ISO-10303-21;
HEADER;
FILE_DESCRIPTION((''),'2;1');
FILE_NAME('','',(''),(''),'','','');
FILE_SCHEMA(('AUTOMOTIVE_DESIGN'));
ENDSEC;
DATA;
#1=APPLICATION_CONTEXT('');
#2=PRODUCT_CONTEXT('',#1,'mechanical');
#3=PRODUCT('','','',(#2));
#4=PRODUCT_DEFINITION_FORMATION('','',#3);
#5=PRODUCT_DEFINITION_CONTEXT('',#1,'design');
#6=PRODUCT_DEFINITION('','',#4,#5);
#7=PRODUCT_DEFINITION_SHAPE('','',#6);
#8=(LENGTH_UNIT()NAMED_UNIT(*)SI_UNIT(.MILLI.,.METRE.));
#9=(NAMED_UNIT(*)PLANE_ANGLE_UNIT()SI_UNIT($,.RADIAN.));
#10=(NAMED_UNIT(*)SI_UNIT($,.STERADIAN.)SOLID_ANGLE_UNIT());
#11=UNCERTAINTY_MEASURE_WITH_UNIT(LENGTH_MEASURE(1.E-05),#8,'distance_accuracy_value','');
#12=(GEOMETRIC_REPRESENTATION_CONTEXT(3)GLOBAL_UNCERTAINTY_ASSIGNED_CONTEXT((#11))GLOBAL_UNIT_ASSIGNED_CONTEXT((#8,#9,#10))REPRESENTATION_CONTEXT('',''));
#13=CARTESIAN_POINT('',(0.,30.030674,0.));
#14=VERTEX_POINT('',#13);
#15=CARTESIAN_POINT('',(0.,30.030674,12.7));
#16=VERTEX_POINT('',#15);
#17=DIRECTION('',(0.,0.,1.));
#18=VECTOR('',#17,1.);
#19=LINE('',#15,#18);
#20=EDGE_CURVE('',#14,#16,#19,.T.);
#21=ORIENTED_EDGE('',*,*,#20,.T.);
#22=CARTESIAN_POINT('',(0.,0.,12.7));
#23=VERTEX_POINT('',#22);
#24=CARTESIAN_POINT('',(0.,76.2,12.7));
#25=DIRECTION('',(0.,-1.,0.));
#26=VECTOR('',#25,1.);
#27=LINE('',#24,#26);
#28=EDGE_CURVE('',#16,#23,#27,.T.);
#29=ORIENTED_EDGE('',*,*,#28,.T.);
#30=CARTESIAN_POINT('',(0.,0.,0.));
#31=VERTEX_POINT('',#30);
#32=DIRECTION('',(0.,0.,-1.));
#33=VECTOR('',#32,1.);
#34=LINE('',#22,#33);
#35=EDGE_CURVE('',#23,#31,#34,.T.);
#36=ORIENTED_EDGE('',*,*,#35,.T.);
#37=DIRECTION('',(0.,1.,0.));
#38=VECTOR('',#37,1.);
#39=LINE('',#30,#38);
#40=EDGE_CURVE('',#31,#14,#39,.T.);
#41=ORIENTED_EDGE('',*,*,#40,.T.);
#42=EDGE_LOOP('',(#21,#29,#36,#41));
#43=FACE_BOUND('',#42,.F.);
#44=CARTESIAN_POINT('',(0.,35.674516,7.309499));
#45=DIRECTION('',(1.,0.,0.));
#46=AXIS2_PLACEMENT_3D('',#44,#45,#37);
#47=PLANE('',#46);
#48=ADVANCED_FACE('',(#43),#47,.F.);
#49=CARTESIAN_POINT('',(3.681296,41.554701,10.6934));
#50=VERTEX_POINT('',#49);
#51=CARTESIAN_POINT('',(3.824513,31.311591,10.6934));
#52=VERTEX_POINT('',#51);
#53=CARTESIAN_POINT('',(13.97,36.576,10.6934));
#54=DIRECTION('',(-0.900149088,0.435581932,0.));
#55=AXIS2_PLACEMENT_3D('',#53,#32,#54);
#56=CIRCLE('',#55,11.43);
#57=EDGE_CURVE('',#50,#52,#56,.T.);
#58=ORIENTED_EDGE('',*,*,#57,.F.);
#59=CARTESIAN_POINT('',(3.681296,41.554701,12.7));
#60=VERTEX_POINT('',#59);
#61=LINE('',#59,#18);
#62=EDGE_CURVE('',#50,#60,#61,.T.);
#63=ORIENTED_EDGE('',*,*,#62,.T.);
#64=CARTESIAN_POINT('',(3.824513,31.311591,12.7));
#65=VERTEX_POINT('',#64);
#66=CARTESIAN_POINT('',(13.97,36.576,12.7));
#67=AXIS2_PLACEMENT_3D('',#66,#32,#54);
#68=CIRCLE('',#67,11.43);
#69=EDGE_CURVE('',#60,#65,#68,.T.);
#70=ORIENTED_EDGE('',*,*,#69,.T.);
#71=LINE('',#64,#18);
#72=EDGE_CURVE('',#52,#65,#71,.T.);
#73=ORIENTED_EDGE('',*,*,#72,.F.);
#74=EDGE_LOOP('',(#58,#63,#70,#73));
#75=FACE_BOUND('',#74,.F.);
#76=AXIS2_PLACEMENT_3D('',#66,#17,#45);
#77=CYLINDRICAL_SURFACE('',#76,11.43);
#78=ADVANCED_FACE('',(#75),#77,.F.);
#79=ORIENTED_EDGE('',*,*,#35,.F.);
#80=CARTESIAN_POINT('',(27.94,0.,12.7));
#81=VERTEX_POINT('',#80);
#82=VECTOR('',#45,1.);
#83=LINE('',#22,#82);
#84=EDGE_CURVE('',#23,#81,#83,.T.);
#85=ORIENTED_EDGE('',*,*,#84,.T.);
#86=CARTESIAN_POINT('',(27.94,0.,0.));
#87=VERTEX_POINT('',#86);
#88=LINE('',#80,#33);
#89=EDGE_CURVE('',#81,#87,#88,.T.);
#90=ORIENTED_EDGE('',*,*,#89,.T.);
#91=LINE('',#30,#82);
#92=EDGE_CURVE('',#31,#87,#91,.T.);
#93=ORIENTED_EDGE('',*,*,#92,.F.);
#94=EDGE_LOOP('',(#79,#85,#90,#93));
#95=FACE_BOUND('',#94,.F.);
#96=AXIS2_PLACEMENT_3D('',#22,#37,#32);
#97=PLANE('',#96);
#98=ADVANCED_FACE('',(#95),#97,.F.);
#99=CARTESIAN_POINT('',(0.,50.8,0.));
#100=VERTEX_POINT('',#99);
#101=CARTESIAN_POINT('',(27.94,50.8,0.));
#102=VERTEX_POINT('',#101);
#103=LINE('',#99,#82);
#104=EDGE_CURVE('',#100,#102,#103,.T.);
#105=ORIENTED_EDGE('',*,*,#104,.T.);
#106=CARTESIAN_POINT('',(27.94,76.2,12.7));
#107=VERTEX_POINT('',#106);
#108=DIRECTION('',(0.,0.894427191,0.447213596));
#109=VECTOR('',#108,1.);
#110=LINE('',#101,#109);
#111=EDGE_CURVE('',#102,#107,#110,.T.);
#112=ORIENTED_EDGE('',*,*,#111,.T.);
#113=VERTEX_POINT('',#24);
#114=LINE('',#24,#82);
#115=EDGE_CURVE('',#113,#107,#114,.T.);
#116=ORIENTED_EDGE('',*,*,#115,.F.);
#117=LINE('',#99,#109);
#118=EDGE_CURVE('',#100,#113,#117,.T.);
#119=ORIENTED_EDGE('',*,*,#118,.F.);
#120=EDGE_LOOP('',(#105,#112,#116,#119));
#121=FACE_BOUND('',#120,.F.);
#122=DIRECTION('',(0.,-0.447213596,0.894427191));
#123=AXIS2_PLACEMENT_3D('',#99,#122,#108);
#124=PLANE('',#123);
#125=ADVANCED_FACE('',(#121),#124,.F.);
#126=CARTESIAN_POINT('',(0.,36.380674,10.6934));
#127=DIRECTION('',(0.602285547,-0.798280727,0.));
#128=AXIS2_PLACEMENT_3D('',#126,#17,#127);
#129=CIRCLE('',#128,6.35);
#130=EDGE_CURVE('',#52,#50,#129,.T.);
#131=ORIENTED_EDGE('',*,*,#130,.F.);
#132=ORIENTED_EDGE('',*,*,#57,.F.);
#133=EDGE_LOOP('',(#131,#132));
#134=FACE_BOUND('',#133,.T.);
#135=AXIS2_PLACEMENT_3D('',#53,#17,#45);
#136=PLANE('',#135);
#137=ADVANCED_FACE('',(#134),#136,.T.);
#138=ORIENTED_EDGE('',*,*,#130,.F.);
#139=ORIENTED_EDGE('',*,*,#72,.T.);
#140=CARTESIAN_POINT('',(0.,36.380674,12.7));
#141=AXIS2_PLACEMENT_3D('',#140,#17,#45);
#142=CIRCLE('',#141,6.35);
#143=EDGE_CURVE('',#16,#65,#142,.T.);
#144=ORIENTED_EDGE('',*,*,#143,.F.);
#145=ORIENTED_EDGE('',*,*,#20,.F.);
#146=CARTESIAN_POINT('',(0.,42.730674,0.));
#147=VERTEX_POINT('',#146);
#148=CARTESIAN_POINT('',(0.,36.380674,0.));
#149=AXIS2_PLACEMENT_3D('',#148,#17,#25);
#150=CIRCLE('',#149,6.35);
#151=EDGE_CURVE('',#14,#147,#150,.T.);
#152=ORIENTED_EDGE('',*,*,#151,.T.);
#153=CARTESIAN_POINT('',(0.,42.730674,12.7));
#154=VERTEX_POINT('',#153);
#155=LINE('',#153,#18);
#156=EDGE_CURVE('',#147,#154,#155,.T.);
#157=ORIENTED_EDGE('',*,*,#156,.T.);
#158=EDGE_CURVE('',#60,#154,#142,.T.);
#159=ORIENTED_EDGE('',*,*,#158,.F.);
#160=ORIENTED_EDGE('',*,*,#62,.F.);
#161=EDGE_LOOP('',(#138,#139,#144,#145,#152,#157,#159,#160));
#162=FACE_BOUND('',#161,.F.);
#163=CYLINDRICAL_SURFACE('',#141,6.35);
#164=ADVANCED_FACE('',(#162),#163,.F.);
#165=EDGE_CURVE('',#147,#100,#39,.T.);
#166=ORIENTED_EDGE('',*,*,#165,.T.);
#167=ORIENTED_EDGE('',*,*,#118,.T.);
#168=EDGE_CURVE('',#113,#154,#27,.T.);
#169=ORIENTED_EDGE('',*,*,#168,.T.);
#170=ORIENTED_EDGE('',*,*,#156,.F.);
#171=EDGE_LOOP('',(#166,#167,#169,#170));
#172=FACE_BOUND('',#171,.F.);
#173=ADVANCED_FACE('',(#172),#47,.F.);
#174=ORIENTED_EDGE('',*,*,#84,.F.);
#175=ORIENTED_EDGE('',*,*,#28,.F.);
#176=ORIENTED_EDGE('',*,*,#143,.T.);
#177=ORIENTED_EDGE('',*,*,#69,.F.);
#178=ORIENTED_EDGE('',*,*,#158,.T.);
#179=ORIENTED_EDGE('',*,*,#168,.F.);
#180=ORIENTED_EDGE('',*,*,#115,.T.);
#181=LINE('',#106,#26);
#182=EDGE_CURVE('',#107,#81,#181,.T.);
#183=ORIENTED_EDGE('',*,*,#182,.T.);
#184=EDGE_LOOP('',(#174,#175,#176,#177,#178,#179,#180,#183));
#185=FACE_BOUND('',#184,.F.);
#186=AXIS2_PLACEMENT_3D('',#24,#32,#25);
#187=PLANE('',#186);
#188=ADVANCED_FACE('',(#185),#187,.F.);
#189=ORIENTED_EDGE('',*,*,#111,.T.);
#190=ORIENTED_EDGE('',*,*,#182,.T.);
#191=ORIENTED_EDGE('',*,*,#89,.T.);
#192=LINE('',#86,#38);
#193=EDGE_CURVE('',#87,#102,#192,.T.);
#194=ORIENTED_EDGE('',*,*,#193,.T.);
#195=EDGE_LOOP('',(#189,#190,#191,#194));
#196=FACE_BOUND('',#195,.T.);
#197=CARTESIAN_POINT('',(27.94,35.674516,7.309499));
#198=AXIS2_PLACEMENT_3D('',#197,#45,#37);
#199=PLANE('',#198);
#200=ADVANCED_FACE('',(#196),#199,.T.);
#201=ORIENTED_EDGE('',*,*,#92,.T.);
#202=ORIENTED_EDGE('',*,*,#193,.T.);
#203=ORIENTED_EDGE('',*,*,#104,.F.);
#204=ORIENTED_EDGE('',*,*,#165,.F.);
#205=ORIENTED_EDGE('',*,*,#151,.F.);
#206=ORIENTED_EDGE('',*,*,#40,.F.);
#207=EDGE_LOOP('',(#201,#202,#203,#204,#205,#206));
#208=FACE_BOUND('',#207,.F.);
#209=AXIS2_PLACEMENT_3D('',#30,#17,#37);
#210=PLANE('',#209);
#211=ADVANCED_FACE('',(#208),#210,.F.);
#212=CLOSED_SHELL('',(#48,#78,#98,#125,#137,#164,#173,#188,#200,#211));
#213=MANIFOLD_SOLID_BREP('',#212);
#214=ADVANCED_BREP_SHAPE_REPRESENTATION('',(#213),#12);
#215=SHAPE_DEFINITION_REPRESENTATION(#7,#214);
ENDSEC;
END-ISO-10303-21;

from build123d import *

# Parameters (mm, degrees)
F1_DEPTH = 27.94
F2_R     = 11.43
F3_DEPTH = 2.0066
F4_R     = 6.35
F5_DEPTH = 25.4


with BuildPart() as f1:
    # F0 (on Right) → F1 (new body)
    with BuildSketch(Plane.YZ):
        Polygon((0, 12.7), (0, 0), (50.8, 0), (76.2, 12.7), align=None)
    extrude(amount=F1_DEPTH)

    # F2 (on face) → F3 (cut)
    with BuildSketch(Plane.XY.offset(12.7)):
        with Locations((13.97, 36.576)):
            Circle(F2_R)
    extrude(amount=-F3_DEPTH, mode=Mode.SUBTRACT)

    # F4 (on face) → F5 (cut)
    with BuildSketch(Plane.XY.offset(12.7)):
        with Locations((0, 36.380674)):
            Circle(F4_R)
    extrude(amount=-F5_DEPTH, mode=Mode.SUBTRACT)


solid = f1.part
